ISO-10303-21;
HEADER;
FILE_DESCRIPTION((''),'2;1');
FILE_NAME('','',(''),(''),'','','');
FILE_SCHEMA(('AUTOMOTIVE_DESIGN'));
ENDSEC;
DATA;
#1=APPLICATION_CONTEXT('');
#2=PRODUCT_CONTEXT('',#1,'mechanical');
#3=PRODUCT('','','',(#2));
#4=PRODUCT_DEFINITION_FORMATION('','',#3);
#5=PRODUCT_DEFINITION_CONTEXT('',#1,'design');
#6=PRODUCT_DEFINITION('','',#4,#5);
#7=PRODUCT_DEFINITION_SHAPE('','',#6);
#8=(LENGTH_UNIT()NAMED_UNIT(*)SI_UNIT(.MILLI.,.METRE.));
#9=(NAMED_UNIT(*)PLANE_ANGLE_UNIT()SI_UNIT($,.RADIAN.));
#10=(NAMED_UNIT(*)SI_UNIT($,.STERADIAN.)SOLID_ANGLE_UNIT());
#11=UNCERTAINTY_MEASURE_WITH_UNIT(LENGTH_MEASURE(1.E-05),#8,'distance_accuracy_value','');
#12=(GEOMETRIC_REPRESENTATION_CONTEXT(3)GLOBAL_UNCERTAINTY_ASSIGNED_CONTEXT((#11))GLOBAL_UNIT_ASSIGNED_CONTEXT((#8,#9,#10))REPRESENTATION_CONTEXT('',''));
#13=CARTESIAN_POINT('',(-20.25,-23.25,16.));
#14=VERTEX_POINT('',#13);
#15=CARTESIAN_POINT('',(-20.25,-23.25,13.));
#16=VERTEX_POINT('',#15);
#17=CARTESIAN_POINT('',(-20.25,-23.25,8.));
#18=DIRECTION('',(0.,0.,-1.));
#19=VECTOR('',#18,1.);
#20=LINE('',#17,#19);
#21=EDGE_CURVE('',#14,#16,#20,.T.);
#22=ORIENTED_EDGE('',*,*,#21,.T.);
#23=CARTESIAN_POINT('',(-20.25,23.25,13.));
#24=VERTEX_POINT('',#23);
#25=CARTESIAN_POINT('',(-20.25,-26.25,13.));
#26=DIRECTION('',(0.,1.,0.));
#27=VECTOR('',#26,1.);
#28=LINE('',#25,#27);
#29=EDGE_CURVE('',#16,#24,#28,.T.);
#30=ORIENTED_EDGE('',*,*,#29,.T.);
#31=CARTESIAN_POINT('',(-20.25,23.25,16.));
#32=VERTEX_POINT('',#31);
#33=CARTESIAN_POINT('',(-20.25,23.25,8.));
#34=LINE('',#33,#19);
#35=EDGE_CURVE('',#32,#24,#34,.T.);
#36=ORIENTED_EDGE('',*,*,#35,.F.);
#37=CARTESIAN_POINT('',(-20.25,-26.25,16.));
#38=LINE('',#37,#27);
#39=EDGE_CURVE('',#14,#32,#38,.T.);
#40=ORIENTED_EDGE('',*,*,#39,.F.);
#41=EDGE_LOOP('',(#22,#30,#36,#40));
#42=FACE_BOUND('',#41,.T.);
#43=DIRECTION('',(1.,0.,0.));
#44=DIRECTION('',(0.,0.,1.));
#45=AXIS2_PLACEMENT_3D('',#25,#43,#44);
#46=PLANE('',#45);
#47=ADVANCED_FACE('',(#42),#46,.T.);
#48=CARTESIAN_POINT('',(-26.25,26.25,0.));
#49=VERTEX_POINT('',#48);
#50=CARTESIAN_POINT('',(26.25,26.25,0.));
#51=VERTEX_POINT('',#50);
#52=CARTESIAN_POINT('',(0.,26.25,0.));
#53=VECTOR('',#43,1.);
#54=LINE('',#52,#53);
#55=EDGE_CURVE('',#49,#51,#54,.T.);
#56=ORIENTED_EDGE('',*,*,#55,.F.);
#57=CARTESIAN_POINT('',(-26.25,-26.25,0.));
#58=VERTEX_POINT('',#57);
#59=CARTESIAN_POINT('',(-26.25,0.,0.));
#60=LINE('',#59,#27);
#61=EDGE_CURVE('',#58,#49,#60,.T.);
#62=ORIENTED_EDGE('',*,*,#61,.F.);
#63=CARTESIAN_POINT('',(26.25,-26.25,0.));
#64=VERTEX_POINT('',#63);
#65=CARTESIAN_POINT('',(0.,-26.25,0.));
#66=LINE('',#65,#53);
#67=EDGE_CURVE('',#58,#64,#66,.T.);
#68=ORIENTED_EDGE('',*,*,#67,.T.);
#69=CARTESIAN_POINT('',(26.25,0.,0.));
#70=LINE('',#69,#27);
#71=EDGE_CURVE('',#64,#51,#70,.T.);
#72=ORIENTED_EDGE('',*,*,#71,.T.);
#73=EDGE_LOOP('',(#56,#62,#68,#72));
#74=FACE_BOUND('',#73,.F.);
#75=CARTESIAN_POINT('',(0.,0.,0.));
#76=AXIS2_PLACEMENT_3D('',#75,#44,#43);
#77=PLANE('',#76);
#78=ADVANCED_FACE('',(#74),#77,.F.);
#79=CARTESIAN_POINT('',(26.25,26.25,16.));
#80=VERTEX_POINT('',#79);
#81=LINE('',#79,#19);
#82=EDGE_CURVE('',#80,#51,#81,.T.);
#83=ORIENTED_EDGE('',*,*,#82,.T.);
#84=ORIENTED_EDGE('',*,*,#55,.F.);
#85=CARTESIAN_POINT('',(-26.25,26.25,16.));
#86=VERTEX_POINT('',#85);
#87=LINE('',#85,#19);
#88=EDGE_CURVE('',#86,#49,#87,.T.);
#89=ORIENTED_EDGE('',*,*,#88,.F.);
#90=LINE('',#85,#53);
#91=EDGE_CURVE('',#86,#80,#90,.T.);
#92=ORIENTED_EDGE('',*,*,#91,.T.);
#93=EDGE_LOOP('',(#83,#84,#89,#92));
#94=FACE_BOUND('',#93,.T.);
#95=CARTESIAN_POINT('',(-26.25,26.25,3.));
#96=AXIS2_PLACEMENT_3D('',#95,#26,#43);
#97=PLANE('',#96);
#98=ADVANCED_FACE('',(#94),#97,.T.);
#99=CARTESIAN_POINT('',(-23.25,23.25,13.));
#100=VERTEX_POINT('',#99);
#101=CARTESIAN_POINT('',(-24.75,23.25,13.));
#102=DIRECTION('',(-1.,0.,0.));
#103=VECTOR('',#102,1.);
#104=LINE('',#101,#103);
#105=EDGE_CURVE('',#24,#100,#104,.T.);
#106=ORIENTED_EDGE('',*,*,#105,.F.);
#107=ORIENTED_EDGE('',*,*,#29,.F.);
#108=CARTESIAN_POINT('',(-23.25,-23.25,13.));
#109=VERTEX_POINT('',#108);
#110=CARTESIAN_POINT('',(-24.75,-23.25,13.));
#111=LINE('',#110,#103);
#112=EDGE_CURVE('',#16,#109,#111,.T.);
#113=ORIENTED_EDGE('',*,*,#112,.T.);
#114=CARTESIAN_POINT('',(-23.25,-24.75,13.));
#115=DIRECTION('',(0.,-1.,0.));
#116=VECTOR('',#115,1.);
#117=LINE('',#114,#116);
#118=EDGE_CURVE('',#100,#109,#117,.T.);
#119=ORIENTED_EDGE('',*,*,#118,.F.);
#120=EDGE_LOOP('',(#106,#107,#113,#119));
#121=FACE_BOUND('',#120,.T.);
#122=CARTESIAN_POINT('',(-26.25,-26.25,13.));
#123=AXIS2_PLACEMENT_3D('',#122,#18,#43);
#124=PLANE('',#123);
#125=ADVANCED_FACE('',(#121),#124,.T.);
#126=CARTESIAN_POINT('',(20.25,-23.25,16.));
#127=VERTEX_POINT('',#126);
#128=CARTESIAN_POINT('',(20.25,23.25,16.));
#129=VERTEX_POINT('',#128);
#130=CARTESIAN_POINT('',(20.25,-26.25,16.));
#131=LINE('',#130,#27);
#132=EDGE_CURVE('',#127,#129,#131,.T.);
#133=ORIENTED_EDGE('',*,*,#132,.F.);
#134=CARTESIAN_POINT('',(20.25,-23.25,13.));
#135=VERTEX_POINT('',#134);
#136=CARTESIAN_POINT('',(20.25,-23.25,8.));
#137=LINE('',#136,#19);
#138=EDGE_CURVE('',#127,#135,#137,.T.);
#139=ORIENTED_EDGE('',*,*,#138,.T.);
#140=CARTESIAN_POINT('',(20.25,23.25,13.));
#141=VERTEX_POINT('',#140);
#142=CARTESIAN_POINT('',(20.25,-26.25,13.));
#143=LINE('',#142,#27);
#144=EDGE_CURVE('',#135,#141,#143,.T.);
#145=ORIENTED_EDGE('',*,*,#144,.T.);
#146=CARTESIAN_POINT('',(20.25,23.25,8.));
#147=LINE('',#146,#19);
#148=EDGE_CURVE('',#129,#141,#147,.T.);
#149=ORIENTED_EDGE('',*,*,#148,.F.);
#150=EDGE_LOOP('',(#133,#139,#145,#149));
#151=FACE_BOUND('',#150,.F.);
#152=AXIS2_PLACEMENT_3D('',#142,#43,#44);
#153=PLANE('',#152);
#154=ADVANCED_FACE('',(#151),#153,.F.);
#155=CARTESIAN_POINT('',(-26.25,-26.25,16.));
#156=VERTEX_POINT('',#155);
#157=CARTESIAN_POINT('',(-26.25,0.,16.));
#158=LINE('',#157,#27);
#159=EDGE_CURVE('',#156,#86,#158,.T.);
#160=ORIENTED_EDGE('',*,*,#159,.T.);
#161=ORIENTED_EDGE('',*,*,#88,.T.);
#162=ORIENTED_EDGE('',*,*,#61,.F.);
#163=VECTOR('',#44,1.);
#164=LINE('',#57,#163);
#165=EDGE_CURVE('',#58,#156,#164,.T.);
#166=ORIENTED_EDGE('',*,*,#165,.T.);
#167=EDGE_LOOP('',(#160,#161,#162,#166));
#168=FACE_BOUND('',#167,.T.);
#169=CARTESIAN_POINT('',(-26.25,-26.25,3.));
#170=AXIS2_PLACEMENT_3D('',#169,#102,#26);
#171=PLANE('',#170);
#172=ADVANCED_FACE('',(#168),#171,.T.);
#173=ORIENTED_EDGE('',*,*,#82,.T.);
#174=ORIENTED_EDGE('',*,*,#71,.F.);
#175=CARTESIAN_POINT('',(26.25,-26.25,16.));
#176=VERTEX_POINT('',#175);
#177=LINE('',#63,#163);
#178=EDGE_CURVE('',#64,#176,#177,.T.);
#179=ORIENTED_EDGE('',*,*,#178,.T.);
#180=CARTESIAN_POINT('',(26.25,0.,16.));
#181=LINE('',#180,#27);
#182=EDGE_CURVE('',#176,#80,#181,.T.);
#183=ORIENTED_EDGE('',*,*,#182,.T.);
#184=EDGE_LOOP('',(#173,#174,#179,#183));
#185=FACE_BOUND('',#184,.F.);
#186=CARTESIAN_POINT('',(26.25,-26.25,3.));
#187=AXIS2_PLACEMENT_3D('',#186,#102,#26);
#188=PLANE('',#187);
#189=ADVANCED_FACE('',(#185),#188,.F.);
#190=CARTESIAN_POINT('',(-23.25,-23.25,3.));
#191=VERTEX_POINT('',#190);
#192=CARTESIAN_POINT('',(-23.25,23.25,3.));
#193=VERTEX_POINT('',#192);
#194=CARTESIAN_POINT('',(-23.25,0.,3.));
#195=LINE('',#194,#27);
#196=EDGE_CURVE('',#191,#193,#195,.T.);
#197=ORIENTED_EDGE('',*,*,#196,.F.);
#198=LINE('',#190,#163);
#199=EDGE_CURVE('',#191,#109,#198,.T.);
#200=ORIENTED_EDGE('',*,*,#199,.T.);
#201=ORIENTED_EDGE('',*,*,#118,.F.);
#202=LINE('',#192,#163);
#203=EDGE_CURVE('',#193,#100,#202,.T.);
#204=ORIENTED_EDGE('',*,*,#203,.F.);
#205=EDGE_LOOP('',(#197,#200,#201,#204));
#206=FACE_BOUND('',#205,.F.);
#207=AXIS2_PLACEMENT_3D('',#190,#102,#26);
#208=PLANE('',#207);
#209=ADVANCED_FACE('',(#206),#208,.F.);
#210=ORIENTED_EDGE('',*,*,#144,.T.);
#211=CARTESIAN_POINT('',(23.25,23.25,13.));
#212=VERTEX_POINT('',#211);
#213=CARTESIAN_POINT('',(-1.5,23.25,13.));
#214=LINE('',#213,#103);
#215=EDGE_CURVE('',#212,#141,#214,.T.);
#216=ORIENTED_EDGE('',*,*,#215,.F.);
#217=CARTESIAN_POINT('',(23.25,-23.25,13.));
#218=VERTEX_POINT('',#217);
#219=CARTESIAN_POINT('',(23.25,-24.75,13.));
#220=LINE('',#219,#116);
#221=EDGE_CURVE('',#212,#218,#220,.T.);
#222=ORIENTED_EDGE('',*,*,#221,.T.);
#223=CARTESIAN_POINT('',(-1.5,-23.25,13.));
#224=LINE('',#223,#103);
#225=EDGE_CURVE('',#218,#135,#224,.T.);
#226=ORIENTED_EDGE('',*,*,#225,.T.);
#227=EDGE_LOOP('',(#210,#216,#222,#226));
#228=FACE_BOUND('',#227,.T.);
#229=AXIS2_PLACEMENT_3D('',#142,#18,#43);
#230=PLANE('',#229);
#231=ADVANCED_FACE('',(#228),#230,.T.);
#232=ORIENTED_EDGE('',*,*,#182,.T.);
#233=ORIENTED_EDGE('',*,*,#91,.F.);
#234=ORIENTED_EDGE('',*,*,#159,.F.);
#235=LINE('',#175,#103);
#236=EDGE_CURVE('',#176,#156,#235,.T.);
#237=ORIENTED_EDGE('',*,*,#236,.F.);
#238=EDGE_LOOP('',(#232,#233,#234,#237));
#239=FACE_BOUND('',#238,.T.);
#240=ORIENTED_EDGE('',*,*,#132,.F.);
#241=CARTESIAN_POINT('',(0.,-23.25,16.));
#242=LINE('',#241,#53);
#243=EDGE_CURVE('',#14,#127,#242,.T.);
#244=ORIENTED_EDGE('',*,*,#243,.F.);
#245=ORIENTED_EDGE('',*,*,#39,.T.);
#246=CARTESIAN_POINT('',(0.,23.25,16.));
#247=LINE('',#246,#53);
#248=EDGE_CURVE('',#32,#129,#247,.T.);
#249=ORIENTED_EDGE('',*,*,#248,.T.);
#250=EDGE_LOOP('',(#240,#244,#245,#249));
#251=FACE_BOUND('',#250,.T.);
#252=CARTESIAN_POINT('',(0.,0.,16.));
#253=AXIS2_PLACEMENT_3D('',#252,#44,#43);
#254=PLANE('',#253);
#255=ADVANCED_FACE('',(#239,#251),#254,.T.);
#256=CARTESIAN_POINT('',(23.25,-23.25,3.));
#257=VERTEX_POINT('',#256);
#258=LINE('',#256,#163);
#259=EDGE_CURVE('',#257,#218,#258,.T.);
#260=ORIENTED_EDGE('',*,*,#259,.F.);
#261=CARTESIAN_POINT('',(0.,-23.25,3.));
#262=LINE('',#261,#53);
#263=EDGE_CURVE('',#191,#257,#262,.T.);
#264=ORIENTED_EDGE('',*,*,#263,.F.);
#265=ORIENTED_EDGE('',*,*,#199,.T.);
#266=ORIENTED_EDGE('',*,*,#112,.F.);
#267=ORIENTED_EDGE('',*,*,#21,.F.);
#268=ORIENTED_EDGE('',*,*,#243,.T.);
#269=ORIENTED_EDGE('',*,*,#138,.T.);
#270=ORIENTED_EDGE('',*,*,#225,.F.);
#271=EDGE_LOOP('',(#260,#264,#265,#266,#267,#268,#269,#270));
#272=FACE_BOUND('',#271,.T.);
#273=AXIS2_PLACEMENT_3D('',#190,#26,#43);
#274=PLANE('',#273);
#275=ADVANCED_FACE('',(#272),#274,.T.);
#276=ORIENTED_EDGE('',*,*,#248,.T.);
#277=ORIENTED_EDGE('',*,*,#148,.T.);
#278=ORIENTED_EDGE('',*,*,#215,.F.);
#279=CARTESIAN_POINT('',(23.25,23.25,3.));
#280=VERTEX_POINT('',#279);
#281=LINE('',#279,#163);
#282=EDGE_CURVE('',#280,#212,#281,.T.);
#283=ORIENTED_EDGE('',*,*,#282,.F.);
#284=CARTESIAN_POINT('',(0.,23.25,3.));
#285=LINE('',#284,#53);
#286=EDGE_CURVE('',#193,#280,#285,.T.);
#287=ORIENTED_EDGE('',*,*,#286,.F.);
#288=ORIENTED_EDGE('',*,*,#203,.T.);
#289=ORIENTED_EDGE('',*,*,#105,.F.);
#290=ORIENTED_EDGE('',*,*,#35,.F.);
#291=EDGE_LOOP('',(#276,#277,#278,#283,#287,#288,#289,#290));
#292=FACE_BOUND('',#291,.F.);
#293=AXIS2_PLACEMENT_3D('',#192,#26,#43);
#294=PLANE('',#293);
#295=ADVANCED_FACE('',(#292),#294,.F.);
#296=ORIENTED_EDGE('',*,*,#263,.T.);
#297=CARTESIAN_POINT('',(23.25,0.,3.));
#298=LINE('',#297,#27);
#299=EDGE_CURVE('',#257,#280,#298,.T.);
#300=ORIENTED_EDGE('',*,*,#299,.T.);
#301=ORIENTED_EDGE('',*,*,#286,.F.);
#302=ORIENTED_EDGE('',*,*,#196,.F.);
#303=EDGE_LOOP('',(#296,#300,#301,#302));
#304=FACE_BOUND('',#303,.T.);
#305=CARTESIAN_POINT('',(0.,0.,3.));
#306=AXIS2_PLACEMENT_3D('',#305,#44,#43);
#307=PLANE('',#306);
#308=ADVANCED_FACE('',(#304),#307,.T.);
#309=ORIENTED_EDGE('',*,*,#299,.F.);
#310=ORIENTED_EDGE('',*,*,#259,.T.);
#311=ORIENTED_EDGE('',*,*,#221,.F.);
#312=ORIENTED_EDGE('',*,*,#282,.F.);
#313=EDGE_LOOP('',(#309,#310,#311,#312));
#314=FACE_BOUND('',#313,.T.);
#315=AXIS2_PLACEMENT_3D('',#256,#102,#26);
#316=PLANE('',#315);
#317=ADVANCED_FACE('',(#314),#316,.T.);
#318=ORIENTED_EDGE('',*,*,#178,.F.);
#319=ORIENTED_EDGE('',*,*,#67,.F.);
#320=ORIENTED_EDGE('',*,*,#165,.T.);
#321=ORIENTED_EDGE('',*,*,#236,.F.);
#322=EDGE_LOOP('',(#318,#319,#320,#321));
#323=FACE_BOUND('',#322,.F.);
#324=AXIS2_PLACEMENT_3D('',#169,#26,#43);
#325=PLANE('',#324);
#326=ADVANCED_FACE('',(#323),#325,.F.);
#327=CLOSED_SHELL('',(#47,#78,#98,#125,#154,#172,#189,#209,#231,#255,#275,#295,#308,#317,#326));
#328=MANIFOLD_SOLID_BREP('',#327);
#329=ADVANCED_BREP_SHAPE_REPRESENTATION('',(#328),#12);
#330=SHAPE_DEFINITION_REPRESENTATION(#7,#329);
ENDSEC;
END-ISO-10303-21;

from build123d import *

# Parameters (mm, degrees)
F0_W     = 52.5
F0_H     = 52.5
F1_DEPTH = 3
F2_W     = 52.5
F2_H     = 52.5
F2_W_2   = 46.5
F2_H_2   = 46.5
F3_DEPTH = 13
F4_W     = 6
F4_H     = 3
F5_DEPTH = 52.5


with BuildPart() as f1:
    # F0 (on Top) → F1 (new body)
    with BuildSketch(Plane.XY):
        Rectangle(F0_W, F0_H)
    extrude(amount=F1_DEPTH)

    # F2 (on face) → F3 (join)
    with BuildSketch(Plane.XY.offset(3)):
        Rectangle(F2_W, F2_H)
        Rectangle(F2_W_2, F2_H_2, mode=Mode.SUBTRACT)
    extrude(amount=F3_DEPTH)

    # F4 (on face) → F5 (join)
    with BuildSketch(Plane.XZ.offset(26.25)):
        with Locations((-23.25, 14.5)):
            Rectangle(F4_W, F4_H)
        with Locations((23.25, 14.5)):
            Rectangle(F4_W, F4_H)
    extrude(amount=-F5_DEPTH)


solid = f1.part
